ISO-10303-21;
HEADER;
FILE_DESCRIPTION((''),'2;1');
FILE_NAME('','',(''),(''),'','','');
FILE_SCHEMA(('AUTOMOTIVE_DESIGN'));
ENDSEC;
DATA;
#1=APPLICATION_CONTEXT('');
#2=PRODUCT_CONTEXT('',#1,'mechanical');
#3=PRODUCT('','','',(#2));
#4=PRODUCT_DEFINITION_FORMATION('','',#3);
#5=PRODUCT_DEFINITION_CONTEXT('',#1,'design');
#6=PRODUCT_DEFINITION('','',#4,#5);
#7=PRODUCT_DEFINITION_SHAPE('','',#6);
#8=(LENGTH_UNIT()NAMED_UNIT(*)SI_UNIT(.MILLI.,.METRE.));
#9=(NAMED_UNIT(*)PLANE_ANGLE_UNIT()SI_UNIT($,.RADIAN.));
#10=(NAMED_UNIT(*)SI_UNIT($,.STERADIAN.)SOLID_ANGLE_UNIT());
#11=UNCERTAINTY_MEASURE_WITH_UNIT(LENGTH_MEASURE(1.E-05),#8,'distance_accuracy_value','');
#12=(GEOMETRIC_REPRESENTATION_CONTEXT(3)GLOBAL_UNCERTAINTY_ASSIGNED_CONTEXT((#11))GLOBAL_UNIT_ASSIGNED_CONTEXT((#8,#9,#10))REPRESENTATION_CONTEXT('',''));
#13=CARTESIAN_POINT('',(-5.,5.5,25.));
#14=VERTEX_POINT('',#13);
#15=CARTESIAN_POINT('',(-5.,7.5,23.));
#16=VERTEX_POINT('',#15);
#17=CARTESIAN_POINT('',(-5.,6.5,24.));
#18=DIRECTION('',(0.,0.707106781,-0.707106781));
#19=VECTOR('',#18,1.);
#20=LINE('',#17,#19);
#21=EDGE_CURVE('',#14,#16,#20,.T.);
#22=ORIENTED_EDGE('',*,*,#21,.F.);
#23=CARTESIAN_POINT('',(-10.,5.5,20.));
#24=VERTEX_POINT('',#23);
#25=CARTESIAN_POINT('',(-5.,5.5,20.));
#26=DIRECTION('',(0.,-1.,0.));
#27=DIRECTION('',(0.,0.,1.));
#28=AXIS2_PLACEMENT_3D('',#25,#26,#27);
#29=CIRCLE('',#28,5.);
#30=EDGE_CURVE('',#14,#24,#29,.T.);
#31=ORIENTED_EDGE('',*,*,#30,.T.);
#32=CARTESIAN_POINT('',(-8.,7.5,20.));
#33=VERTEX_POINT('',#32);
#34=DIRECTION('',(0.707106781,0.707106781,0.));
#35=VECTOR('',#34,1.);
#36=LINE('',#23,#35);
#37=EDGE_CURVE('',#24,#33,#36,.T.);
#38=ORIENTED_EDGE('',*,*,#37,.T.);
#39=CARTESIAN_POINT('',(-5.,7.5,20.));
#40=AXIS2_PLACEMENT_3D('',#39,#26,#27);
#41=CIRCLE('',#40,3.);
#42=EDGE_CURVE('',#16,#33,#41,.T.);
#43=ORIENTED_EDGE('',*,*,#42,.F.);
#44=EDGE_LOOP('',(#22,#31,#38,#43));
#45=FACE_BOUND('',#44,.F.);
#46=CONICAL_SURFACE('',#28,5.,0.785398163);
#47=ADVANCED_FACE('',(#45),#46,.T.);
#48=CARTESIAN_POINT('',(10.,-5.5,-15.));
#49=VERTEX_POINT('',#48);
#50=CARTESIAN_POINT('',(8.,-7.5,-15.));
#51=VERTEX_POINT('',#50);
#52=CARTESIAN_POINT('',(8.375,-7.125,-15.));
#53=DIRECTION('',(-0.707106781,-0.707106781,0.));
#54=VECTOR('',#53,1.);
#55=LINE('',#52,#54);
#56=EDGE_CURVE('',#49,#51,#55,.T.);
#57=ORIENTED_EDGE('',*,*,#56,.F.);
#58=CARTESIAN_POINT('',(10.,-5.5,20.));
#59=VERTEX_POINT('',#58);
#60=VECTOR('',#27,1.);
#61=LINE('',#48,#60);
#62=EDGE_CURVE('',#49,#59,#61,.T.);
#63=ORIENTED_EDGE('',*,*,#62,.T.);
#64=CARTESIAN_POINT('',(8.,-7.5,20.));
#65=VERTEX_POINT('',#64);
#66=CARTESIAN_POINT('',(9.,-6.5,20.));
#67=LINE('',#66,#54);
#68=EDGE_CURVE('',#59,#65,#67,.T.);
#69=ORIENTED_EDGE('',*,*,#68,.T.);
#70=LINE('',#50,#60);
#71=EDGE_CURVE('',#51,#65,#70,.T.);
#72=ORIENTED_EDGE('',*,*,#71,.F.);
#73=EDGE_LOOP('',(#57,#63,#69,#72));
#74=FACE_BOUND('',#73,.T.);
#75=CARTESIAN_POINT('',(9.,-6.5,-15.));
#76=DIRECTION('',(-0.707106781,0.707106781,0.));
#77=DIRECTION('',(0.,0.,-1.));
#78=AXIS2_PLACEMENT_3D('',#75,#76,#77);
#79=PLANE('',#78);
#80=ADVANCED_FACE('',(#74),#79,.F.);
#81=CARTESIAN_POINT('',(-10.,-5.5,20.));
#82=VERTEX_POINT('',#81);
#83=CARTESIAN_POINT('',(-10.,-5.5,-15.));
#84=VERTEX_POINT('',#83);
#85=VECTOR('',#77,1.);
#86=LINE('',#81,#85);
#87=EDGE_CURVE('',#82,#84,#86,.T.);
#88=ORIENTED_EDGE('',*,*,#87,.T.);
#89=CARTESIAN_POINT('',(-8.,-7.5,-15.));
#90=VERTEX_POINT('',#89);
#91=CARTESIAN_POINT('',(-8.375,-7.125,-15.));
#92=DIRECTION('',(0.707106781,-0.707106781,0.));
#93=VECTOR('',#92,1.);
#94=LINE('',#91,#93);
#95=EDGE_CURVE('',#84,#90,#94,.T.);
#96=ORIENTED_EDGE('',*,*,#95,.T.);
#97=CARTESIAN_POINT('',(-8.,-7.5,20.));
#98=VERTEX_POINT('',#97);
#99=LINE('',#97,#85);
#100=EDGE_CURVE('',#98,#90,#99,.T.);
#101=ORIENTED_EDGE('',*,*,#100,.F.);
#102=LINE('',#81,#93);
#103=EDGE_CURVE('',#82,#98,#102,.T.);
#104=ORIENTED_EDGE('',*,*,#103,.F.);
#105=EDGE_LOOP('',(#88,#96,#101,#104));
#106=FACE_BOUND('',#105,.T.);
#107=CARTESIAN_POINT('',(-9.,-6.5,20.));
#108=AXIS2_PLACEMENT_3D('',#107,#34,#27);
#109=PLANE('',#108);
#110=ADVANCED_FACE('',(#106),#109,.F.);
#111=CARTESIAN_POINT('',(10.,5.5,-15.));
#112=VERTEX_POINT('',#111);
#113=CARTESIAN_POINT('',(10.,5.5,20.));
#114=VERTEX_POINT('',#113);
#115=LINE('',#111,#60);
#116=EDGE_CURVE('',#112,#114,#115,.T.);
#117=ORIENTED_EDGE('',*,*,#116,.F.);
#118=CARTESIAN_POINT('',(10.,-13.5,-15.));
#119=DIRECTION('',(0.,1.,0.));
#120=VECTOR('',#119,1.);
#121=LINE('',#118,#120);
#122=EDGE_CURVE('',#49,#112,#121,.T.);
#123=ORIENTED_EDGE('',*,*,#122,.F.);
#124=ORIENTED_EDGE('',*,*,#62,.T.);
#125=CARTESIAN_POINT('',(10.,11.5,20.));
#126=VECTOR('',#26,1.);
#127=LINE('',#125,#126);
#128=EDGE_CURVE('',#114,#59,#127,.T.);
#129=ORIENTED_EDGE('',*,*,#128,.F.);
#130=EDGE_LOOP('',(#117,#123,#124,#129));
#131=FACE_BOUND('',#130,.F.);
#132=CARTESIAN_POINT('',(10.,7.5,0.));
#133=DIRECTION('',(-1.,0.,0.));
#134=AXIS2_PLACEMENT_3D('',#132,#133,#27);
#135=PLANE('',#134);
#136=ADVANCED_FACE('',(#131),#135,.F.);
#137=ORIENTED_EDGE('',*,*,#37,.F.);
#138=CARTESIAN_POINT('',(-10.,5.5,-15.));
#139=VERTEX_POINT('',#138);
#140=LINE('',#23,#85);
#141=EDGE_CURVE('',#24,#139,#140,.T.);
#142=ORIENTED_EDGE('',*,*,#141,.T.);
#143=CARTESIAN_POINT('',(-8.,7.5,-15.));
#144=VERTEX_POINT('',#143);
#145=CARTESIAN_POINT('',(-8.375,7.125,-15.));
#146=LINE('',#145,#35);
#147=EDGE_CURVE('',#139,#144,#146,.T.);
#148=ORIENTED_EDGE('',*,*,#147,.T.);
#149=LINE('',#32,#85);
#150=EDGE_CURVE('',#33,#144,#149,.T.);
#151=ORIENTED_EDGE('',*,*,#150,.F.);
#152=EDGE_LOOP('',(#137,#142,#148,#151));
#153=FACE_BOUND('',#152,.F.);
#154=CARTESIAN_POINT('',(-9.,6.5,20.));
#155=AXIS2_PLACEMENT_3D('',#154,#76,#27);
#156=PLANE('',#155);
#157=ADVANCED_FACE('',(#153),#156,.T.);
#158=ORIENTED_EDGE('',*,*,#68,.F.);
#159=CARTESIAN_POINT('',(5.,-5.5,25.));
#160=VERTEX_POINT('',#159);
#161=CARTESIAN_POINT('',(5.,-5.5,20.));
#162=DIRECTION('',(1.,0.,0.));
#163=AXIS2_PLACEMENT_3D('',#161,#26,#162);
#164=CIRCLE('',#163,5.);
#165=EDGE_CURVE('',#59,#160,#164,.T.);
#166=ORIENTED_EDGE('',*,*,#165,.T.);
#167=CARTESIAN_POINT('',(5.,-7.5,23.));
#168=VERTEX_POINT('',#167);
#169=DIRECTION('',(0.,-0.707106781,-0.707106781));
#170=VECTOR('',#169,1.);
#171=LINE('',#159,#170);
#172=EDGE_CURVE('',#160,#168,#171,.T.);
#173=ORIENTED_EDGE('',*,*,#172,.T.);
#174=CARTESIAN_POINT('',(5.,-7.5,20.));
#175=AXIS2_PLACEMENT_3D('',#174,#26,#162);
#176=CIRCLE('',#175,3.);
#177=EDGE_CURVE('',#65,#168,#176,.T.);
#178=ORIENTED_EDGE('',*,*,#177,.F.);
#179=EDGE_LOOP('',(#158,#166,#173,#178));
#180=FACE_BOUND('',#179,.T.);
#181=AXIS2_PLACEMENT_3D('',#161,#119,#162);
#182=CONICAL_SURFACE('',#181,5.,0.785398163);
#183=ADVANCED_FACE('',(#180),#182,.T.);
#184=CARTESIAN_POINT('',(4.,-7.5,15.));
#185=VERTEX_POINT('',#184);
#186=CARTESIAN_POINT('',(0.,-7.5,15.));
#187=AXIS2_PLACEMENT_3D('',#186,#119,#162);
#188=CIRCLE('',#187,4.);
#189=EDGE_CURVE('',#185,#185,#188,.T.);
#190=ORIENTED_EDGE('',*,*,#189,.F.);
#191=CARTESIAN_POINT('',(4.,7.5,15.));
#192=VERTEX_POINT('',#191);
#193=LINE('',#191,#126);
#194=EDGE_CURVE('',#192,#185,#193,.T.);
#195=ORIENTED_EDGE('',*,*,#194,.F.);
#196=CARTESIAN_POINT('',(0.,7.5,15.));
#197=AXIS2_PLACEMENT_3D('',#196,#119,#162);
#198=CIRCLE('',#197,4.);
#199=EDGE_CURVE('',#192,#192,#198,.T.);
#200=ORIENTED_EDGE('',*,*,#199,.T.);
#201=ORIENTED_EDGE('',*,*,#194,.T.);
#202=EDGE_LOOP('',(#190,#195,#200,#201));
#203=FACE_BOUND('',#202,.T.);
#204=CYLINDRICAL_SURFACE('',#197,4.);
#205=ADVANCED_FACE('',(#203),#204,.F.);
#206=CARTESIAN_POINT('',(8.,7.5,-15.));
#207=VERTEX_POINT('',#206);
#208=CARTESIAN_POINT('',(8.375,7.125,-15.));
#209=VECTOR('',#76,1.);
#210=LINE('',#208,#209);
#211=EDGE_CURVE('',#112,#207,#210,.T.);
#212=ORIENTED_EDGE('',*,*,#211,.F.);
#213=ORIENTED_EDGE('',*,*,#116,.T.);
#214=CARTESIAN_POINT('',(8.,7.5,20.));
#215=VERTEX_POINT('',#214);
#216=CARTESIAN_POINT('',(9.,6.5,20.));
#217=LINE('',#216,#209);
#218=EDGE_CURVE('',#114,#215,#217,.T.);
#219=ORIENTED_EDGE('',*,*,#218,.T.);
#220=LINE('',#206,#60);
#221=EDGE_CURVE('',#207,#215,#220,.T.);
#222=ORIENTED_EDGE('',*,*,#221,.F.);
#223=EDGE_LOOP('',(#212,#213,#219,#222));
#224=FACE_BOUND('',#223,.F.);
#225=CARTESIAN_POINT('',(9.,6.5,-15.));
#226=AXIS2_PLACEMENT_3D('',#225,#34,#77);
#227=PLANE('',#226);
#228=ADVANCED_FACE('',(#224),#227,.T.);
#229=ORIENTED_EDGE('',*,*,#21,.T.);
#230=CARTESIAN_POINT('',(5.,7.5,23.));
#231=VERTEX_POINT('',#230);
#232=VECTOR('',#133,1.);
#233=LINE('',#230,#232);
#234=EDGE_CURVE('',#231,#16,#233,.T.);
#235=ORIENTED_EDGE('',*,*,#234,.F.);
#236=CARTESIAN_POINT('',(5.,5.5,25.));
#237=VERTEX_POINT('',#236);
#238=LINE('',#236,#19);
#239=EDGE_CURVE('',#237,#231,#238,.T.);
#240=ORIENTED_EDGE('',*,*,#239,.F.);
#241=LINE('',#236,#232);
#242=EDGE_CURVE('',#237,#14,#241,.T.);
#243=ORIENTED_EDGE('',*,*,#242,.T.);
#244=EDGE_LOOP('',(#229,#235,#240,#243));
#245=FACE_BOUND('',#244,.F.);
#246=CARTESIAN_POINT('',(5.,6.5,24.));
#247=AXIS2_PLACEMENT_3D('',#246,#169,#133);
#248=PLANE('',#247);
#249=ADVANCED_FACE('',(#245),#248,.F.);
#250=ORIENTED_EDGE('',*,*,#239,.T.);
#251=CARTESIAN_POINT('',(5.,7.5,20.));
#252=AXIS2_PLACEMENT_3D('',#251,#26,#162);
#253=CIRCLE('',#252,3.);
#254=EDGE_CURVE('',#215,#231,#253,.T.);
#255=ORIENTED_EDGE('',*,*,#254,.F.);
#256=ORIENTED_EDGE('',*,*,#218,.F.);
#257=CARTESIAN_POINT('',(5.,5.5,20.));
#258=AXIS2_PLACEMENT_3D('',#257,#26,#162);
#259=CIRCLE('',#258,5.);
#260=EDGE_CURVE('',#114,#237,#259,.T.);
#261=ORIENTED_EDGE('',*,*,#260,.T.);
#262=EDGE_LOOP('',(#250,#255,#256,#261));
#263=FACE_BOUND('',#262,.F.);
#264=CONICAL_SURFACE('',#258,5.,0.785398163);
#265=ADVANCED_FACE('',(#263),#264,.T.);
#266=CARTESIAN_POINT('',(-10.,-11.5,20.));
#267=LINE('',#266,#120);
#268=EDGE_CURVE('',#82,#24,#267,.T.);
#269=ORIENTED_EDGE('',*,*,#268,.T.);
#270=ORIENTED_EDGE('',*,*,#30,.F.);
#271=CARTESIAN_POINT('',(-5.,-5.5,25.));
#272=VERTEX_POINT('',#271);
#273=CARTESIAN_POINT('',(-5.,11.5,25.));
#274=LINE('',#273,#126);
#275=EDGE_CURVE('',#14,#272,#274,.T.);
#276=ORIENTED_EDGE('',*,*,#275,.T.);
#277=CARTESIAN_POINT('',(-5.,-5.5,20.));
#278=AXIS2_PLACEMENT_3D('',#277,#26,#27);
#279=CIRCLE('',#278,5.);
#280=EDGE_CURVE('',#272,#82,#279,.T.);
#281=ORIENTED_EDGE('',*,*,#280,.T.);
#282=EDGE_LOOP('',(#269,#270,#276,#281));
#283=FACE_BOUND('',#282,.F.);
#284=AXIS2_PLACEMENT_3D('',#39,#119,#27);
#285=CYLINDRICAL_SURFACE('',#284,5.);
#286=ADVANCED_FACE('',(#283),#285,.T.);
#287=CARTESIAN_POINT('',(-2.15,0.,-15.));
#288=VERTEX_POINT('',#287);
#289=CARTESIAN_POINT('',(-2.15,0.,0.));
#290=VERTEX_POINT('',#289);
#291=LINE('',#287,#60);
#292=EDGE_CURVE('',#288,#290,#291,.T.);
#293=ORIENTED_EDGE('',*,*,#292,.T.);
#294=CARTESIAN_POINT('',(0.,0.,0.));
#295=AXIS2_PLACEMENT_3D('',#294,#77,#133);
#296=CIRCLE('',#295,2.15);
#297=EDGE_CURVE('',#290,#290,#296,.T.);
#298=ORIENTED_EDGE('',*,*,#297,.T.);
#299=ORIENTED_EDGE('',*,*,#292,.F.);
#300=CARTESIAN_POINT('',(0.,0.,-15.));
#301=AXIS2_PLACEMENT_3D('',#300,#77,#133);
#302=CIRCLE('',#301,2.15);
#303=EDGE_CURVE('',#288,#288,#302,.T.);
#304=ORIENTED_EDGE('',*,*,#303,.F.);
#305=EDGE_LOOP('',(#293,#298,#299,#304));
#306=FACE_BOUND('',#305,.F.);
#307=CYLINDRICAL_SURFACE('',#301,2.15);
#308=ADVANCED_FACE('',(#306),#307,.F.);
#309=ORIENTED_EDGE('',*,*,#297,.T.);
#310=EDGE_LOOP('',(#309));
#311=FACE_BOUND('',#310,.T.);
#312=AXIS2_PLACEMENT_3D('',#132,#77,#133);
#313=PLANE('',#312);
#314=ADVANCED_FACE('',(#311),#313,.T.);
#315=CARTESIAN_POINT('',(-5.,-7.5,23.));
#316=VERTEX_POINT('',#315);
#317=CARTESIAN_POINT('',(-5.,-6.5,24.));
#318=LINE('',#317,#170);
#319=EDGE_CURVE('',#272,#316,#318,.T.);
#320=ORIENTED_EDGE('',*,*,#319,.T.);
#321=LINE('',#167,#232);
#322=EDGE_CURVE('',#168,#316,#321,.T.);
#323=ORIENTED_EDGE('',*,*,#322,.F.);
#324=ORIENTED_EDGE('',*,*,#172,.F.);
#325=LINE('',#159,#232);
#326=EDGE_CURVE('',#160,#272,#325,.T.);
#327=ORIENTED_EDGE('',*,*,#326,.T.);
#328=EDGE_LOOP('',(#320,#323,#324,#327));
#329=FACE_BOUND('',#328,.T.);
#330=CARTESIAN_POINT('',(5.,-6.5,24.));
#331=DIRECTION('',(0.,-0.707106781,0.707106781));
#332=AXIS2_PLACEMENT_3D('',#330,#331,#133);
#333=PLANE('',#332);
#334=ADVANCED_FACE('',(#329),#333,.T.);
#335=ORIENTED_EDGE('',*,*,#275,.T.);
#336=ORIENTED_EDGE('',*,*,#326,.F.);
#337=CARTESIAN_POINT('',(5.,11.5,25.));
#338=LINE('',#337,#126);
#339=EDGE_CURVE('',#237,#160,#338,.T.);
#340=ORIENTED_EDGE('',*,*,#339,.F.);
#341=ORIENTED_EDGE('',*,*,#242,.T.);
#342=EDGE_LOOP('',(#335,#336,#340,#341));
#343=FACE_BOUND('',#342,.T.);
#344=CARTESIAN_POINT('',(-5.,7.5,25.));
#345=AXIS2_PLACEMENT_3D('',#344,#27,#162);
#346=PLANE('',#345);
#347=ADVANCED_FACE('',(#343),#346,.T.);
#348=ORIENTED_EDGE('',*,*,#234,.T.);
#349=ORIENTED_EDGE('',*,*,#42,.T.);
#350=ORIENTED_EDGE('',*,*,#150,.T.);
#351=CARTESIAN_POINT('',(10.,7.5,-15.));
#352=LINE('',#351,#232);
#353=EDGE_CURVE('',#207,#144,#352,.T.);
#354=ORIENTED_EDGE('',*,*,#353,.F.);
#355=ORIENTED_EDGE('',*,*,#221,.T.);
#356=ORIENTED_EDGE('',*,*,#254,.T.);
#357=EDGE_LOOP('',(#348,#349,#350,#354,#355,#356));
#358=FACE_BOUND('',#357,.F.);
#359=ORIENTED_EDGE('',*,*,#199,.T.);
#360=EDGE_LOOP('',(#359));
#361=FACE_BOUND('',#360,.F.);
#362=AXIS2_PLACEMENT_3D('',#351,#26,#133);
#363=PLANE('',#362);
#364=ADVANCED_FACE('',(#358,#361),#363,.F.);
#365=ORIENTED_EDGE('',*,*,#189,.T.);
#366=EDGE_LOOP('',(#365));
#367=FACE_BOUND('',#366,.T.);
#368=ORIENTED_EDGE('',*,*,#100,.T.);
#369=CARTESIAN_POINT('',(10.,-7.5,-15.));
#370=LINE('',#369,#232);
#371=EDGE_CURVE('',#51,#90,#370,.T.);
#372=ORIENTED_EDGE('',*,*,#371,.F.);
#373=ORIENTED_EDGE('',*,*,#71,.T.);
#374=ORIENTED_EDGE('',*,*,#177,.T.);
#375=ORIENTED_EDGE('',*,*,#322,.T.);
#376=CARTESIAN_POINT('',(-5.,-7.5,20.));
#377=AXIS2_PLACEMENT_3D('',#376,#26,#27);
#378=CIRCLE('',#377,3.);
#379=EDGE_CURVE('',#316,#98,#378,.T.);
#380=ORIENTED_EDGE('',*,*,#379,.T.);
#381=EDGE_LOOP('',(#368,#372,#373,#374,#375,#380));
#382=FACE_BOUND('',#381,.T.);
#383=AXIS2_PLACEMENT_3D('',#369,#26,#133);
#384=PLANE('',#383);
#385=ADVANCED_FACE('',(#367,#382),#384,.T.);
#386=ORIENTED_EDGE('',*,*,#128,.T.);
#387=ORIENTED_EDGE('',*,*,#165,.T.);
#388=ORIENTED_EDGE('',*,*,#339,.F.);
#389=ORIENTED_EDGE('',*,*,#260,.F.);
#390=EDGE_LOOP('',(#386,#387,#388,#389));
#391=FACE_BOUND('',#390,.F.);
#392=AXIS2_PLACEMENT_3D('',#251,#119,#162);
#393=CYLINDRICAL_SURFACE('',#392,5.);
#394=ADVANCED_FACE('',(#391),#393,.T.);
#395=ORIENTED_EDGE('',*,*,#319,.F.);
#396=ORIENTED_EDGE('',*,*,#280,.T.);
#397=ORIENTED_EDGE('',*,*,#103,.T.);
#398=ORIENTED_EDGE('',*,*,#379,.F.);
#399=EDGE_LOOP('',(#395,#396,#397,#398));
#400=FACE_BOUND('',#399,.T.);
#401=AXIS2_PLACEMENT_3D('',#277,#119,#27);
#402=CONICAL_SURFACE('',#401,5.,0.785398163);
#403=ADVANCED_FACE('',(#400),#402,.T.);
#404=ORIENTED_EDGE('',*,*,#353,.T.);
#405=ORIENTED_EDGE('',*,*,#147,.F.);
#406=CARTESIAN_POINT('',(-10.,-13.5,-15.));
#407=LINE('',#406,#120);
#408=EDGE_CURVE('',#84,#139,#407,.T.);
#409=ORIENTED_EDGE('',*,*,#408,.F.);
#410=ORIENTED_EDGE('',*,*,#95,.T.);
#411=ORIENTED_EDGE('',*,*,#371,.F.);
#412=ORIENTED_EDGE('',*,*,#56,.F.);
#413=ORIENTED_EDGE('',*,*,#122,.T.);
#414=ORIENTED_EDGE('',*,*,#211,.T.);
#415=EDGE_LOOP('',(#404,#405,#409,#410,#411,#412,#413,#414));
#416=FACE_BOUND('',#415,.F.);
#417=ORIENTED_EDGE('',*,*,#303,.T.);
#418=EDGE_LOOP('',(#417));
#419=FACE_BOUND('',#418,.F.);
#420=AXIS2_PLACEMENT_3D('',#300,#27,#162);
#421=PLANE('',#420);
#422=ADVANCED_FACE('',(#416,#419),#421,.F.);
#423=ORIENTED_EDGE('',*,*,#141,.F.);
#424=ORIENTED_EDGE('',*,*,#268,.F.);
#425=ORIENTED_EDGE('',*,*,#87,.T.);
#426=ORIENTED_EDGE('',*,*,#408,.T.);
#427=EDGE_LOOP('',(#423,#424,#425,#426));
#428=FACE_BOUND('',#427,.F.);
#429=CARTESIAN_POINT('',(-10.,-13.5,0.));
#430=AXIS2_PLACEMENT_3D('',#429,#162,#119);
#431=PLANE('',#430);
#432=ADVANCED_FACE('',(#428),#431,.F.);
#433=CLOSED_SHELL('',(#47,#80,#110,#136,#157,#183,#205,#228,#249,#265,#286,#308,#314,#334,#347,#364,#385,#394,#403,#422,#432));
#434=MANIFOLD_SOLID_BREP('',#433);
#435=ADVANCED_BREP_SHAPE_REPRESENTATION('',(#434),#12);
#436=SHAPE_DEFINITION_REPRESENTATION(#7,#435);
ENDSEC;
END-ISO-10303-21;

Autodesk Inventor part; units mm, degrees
ref_plane "YZ Plane" through (0, 0, 0) normal (1, 0, 0) x (0, 1, 0)
ref_plane "XZ Plane" through (0, 0, 0) normal (0, 1, 0) x (-1, 0, 0)
ref_plane "XY Plane" through (0, 0, 0) normal (0, 0, 1) x (1, 0, 0)
sketch "Sketch1" plane through (0, 0, 0) normal (0, 0, 1) x (1, 0, 0)
  line L0 (10, -7.5) -> (-10, -7.5)
  line L1 (-10, -7.5) -> (-10, 7.5)
  line L2 (-10, 7.5) -> (10, 7.5)
  line L3 (10, 7.5) -> (10, -7.5)
  line L4 (10, -7.5) -> (-10, 7.5) construction
  line L5 (-10, -7.5) -> (10, 7.5) construction
  line L6 (-10, 7.5) -> (10, 7.5)
  line L7 (10, 7.5) -> (10, 13.5)
  line L8 (10, 13.5) -> (-10, 13.5)
  line L9 (-10, 13.5) -> (-10, 7.5)
  line L10 (-10, -7.5) -> (10, -7.5)
  line L11 (10, -7.5) -> (10, -13.5)
  line L12 (10, -13.5) -> (-10, -13.5)
  line L13 (-10, -13.5) -> (-10, -7.5)
  point P0 (0, 0)
  dimension "d0" = 15
  dimension "d1" = 20
  dimension "d2" = 6
extrude "Extrusion1" add sketch "Sketch1" against normal blind 15
extrude "Extrusion2" add sketch "Sketch1" along normal blind 25 contours L11 L12 L13 L0 | L2 L9 L8 L7
sketch "Sketch2" plane through (-10, 13.5, -15) normal (0, 1, 0) x (1, 0, 0)
  line L0 (20, -15) -> (0, -15) projected
  line L1 (20, -40) -> (0, -40) construction
  line L2 (10, -40) -> (10, -30) construction
  circle A0 centre (10, -30) radius 4
  point P0 (10, -15)
  dimension "d7" = 8
  dimension "d8" = 10
extrude "Extrusion3" cut sketch "Sketch2" against normal through all
fillet "Fillet1" radius 5 4 edges at (-10, 10.5, 25) (10, 10.5, 25) (-10, -10.5, 25) (10, -10.5, 25)
sketch "Sketch3" plane through (0, 0, -15) normal (0, 0, -1) x (-1, 0, 0)
  circle A0 centre (0, 0) radius 2.15
  dimension "d12" = 4.3
extrude "Extrusion4" cut sketch "Sketch3" against normal through all
chamfer "Chamfer1" distance 2 angle 45 6 edges at (8.5355, 13.5, 23.5355) (0, 13.5, 25) (-8.5355, 13.5, 23.5355) (8.5355, -13.5, 23.5355) (0, -13.5, 25) (-8.5355, -13.5, 23.5355)
chamfer "Chamfer2" distance 4 angle 45 1 edges at (-10, 0, 0)
sketch "Sketch4" plane through (-5, 7.5, 25) normal (0, -1, 0) x (1, 0, 0)
  circle A0 centre (5, -10) radius 4 projected
  arc A1 (15, -5) -> (10, 0) centre (10, -5) ccw projected
  line L0 (0, 0) -> (10, 0) projected
  arc A2 (0, 0) -> (-5, -5) centre (0, -5) ccw projected
  line L1 (-5, -29) -> (-5, -5) projected
  line L2 (-1, -25) -> (-5, -29) projected
  line L3 (15, -25) -> (-1, -25) projected
  line L4 (15, -25) -> (15, -5) projected
  point P0 (5, -25)
extrude "Extrusion5" add sketch "Sketch4" along normal up to next
sketch "Sketch5" plane through (0, 0, -15) normal (0, 0, -1) x (-1, 0, 0)
  line L0 (10, -11.5) -> (8, -13.5) projected
  line L1 (10, -11.5) -> (10, 11.5) projected
  line L2 (8, 13.5) -> (10, 11.5) projected
  line L3 (8, 13.5) -> (-8, 13.5) projected
  line L4 (-10, 11.5) -> (-8, 13.5) projected
  line L5 (-10, 11.5) -> (-10, -11.5) projected
  line L6 (-8, -13.5) -> (-10, -11.5) projected
  line L7 (-8, -13.5) -> (8, -13.5) projected
  circle A0 centre (0, 0) radius 2.15 projected
  line L8 (-10, -11.5) -> (-10, 11.5) projected
  line L9 (-10, -7.5) -> (10, -7.5)
  line L10 (-10, 7.5) -> (10, 7.5)
  dimension "d23" = 6
  dimension "d24" = 6
extrude "Extrusion6" cut sketch "Sketch5" against normal through all contours L0 L7 L6 L5 L9 L1 | L10 L5 L4 L3 L2 L1
chamfer "Chamfer3" distance 2 angle 45 8 edges at (10, -7.5, 2.5) (0, -7.5, 25) (-10, -7.5, 2.5) (10, 7.5, 2.5) (8.5355, 7.5, 23.5355) (0, 7.5, 25) (-8.5355, 7.5, 23.5355) (-10, 7.5, 2.5)
properties part number "cylinder clevis 2"
